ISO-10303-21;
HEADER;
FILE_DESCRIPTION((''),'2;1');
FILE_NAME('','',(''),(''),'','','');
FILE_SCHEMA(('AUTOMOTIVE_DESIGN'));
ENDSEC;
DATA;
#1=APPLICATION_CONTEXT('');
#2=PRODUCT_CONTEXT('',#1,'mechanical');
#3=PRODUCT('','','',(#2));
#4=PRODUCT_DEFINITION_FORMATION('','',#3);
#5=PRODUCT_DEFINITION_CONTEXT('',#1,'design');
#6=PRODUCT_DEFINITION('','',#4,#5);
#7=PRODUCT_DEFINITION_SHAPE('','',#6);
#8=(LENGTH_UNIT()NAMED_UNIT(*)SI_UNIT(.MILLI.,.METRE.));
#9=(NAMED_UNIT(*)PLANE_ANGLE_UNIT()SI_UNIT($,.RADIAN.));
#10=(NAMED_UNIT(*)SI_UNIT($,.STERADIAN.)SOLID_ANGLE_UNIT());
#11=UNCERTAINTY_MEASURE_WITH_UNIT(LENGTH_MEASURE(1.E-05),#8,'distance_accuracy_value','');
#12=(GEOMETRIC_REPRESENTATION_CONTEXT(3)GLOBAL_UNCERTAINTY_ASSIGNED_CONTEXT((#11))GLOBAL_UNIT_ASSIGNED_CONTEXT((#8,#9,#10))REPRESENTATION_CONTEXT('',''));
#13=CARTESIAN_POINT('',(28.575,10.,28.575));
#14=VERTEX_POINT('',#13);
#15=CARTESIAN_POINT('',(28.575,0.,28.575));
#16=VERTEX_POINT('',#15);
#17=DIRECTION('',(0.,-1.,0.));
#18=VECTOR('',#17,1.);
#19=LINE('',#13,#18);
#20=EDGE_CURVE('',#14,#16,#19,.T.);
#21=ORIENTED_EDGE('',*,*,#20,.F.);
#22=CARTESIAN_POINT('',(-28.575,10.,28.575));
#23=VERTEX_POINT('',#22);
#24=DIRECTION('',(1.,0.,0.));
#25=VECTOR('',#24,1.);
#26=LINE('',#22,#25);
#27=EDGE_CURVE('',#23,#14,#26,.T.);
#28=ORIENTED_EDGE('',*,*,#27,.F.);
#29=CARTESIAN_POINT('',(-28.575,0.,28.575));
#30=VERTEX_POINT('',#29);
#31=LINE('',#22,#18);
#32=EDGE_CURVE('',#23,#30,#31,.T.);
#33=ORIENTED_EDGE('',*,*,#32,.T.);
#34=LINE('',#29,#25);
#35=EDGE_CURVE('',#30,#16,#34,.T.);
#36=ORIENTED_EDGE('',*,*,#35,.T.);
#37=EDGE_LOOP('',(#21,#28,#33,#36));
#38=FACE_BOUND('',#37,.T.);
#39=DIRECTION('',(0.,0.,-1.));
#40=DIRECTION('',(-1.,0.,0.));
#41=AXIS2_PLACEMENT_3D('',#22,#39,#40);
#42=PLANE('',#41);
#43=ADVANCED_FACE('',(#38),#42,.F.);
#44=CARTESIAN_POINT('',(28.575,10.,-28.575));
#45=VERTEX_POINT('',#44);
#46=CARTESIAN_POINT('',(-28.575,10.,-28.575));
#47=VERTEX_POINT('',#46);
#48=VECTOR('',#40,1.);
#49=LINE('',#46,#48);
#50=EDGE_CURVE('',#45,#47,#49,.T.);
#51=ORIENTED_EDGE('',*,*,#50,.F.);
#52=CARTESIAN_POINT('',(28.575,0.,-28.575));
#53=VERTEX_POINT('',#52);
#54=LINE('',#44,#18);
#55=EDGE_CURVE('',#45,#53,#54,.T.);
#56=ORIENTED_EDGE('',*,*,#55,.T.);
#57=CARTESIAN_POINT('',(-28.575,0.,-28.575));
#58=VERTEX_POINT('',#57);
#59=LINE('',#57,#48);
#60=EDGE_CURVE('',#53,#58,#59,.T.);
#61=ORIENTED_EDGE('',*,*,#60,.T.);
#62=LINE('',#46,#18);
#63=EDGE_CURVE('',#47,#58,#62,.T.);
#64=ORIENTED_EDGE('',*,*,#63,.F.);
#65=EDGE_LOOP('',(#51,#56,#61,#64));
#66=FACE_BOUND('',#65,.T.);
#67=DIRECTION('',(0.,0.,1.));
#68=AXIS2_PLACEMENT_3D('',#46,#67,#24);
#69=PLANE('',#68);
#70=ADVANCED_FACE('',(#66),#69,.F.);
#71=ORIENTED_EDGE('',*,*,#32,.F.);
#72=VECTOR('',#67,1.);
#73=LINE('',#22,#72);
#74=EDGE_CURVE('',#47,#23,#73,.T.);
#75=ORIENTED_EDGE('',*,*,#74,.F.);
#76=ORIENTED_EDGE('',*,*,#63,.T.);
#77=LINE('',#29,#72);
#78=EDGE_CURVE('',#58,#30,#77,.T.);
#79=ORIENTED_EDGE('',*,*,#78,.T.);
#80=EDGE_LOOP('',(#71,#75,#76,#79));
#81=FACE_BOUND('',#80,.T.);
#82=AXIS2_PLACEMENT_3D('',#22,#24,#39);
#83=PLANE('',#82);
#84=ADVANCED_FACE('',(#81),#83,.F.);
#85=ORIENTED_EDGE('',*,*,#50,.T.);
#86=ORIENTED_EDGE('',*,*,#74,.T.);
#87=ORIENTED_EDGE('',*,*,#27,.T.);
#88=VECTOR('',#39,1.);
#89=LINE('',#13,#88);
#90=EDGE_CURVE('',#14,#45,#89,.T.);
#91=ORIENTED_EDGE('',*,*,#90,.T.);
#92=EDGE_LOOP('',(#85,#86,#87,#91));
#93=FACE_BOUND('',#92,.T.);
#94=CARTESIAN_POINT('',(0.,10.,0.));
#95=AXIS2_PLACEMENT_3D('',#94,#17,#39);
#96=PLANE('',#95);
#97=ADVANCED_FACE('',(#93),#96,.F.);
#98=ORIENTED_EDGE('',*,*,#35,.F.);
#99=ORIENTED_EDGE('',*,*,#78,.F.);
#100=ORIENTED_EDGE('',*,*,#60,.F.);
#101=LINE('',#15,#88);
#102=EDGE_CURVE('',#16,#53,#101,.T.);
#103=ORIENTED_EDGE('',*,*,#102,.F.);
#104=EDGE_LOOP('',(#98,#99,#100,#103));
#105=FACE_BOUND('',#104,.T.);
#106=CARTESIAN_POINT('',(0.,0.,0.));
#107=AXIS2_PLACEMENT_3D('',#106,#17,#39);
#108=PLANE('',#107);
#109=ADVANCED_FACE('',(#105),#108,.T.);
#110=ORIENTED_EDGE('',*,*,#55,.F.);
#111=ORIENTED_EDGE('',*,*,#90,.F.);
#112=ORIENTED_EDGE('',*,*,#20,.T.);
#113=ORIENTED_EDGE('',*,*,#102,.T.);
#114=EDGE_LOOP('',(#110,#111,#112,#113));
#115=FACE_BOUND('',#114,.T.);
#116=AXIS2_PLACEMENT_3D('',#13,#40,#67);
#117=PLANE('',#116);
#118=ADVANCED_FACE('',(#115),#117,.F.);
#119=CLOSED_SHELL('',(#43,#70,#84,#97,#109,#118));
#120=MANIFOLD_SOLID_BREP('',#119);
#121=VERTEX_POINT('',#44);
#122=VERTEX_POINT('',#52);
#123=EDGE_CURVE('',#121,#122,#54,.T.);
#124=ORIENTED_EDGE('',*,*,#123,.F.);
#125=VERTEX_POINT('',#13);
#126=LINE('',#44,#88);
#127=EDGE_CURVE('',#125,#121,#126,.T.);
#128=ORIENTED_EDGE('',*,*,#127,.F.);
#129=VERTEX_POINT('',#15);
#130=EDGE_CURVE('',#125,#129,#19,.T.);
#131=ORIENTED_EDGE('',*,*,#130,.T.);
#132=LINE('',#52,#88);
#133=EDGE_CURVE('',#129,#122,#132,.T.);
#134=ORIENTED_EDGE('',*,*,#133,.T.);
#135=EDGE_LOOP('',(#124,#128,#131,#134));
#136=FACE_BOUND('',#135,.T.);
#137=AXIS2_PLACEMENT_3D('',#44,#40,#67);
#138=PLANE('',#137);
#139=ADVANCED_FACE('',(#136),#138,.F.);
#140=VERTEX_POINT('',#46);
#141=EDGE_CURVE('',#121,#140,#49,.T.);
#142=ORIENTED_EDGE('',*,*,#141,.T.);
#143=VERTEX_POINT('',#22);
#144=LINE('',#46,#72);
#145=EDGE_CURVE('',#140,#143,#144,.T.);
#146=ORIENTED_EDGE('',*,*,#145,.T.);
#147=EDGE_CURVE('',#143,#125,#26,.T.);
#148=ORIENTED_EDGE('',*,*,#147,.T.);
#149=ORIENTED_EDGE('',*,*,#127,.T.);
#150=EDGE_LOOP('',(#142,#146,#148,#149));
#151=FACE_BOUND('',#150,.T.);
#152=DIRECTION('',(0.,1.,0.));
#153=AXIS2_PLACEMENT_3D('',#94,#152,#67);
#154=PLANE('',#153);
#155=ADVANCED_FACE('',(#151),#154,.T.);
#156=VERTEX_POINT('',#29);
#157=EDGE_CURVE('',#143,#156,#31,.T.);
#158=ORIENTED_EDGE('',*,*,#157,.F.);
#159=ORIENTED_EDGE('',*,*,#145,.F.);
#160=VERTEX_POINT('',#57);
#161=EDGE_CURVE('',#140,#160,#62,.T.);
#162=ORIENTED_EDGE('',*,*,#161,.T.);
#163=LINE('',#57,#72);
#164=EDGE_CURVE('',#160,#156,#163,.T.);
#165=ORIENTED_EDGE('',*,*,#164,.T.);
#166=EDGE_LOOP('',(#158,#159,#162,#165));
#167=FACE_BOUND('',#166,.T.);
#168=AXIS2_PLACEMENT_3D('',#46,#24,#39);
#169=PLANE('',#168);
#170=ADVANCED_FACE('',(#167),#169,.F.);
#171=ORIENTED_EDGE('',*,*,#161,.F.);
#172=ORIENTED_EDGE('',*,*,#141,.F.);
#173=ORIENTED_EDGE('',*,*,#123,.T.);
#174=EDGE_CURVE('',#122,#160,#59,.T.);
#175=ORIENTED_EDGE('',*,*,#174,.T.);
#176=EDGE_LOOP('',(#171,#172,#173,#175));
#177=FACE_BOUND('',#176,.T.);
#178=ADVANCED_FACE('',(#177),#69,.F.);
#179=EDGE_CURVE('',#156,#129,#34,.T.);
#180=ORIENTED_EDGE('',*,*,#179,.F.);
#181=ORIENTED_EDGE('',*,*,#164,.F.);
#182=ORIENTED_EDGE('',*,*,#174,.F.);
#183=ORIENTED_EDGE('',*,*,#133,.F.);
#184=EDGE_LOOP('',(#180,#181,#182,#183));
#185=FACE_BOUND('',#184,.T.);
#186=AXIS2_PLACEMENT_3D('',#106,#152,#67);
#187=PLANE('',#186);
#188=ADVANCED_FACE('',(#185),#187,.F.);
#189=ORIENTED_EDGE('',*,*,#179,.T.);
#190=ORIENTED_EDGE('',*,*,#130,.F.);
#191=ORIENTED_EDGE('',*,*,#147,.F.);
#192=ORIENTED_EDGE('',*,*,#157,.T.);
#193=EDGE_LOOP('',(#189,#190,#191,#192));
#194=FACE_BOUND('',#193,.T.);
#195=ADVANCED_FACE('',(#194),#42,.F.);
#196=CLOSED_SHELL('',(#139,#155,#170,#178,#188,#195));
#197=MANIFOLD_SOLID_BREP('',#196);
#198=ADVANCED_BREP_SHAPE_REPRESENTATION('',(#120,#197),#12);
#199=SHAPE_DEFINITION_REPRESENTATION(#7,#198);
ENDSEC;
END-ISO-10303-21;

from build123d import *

# Parameters (mm, degrees)
SKETCH1_W           = 57.15
SKETCH1_H           = 57.15
BOSS_EXTRUDE1_DEPTH = 10
SKETCH2_W           = 57.15
SKETCH2_H           = 57.15
BOSS_EXTRUDE2_DEPTH = 10


with BuildPart() as part:
    # Sketch1 → Boss-Extrude1 (new body)
    with BuildSketch(Plane(origin=(0, 0, 0), x_dir=(1, 0, 0), z_dir=(0, 1, 0))):
        Rectangle(SKETCH1_W, SKETCH1_H)
    extrude(amount=BOSS_EXTRUDE1_DEPTH)


with BuildPart() as body_2:
    # Sketch2 → Boss-Extrude2 (new body)
    with BuildSketch(Plane(origin=(0, 0, 0), x_dir=(1, 0, 0), z_dir=(0, 1, 0))):
        Rectangle(SKETCH2_W, SKETCH2_H)
    extrude(amount=BOSS_EXTRUDE2_DEPTH)


solid = Compound([part.part, body_2.part])
